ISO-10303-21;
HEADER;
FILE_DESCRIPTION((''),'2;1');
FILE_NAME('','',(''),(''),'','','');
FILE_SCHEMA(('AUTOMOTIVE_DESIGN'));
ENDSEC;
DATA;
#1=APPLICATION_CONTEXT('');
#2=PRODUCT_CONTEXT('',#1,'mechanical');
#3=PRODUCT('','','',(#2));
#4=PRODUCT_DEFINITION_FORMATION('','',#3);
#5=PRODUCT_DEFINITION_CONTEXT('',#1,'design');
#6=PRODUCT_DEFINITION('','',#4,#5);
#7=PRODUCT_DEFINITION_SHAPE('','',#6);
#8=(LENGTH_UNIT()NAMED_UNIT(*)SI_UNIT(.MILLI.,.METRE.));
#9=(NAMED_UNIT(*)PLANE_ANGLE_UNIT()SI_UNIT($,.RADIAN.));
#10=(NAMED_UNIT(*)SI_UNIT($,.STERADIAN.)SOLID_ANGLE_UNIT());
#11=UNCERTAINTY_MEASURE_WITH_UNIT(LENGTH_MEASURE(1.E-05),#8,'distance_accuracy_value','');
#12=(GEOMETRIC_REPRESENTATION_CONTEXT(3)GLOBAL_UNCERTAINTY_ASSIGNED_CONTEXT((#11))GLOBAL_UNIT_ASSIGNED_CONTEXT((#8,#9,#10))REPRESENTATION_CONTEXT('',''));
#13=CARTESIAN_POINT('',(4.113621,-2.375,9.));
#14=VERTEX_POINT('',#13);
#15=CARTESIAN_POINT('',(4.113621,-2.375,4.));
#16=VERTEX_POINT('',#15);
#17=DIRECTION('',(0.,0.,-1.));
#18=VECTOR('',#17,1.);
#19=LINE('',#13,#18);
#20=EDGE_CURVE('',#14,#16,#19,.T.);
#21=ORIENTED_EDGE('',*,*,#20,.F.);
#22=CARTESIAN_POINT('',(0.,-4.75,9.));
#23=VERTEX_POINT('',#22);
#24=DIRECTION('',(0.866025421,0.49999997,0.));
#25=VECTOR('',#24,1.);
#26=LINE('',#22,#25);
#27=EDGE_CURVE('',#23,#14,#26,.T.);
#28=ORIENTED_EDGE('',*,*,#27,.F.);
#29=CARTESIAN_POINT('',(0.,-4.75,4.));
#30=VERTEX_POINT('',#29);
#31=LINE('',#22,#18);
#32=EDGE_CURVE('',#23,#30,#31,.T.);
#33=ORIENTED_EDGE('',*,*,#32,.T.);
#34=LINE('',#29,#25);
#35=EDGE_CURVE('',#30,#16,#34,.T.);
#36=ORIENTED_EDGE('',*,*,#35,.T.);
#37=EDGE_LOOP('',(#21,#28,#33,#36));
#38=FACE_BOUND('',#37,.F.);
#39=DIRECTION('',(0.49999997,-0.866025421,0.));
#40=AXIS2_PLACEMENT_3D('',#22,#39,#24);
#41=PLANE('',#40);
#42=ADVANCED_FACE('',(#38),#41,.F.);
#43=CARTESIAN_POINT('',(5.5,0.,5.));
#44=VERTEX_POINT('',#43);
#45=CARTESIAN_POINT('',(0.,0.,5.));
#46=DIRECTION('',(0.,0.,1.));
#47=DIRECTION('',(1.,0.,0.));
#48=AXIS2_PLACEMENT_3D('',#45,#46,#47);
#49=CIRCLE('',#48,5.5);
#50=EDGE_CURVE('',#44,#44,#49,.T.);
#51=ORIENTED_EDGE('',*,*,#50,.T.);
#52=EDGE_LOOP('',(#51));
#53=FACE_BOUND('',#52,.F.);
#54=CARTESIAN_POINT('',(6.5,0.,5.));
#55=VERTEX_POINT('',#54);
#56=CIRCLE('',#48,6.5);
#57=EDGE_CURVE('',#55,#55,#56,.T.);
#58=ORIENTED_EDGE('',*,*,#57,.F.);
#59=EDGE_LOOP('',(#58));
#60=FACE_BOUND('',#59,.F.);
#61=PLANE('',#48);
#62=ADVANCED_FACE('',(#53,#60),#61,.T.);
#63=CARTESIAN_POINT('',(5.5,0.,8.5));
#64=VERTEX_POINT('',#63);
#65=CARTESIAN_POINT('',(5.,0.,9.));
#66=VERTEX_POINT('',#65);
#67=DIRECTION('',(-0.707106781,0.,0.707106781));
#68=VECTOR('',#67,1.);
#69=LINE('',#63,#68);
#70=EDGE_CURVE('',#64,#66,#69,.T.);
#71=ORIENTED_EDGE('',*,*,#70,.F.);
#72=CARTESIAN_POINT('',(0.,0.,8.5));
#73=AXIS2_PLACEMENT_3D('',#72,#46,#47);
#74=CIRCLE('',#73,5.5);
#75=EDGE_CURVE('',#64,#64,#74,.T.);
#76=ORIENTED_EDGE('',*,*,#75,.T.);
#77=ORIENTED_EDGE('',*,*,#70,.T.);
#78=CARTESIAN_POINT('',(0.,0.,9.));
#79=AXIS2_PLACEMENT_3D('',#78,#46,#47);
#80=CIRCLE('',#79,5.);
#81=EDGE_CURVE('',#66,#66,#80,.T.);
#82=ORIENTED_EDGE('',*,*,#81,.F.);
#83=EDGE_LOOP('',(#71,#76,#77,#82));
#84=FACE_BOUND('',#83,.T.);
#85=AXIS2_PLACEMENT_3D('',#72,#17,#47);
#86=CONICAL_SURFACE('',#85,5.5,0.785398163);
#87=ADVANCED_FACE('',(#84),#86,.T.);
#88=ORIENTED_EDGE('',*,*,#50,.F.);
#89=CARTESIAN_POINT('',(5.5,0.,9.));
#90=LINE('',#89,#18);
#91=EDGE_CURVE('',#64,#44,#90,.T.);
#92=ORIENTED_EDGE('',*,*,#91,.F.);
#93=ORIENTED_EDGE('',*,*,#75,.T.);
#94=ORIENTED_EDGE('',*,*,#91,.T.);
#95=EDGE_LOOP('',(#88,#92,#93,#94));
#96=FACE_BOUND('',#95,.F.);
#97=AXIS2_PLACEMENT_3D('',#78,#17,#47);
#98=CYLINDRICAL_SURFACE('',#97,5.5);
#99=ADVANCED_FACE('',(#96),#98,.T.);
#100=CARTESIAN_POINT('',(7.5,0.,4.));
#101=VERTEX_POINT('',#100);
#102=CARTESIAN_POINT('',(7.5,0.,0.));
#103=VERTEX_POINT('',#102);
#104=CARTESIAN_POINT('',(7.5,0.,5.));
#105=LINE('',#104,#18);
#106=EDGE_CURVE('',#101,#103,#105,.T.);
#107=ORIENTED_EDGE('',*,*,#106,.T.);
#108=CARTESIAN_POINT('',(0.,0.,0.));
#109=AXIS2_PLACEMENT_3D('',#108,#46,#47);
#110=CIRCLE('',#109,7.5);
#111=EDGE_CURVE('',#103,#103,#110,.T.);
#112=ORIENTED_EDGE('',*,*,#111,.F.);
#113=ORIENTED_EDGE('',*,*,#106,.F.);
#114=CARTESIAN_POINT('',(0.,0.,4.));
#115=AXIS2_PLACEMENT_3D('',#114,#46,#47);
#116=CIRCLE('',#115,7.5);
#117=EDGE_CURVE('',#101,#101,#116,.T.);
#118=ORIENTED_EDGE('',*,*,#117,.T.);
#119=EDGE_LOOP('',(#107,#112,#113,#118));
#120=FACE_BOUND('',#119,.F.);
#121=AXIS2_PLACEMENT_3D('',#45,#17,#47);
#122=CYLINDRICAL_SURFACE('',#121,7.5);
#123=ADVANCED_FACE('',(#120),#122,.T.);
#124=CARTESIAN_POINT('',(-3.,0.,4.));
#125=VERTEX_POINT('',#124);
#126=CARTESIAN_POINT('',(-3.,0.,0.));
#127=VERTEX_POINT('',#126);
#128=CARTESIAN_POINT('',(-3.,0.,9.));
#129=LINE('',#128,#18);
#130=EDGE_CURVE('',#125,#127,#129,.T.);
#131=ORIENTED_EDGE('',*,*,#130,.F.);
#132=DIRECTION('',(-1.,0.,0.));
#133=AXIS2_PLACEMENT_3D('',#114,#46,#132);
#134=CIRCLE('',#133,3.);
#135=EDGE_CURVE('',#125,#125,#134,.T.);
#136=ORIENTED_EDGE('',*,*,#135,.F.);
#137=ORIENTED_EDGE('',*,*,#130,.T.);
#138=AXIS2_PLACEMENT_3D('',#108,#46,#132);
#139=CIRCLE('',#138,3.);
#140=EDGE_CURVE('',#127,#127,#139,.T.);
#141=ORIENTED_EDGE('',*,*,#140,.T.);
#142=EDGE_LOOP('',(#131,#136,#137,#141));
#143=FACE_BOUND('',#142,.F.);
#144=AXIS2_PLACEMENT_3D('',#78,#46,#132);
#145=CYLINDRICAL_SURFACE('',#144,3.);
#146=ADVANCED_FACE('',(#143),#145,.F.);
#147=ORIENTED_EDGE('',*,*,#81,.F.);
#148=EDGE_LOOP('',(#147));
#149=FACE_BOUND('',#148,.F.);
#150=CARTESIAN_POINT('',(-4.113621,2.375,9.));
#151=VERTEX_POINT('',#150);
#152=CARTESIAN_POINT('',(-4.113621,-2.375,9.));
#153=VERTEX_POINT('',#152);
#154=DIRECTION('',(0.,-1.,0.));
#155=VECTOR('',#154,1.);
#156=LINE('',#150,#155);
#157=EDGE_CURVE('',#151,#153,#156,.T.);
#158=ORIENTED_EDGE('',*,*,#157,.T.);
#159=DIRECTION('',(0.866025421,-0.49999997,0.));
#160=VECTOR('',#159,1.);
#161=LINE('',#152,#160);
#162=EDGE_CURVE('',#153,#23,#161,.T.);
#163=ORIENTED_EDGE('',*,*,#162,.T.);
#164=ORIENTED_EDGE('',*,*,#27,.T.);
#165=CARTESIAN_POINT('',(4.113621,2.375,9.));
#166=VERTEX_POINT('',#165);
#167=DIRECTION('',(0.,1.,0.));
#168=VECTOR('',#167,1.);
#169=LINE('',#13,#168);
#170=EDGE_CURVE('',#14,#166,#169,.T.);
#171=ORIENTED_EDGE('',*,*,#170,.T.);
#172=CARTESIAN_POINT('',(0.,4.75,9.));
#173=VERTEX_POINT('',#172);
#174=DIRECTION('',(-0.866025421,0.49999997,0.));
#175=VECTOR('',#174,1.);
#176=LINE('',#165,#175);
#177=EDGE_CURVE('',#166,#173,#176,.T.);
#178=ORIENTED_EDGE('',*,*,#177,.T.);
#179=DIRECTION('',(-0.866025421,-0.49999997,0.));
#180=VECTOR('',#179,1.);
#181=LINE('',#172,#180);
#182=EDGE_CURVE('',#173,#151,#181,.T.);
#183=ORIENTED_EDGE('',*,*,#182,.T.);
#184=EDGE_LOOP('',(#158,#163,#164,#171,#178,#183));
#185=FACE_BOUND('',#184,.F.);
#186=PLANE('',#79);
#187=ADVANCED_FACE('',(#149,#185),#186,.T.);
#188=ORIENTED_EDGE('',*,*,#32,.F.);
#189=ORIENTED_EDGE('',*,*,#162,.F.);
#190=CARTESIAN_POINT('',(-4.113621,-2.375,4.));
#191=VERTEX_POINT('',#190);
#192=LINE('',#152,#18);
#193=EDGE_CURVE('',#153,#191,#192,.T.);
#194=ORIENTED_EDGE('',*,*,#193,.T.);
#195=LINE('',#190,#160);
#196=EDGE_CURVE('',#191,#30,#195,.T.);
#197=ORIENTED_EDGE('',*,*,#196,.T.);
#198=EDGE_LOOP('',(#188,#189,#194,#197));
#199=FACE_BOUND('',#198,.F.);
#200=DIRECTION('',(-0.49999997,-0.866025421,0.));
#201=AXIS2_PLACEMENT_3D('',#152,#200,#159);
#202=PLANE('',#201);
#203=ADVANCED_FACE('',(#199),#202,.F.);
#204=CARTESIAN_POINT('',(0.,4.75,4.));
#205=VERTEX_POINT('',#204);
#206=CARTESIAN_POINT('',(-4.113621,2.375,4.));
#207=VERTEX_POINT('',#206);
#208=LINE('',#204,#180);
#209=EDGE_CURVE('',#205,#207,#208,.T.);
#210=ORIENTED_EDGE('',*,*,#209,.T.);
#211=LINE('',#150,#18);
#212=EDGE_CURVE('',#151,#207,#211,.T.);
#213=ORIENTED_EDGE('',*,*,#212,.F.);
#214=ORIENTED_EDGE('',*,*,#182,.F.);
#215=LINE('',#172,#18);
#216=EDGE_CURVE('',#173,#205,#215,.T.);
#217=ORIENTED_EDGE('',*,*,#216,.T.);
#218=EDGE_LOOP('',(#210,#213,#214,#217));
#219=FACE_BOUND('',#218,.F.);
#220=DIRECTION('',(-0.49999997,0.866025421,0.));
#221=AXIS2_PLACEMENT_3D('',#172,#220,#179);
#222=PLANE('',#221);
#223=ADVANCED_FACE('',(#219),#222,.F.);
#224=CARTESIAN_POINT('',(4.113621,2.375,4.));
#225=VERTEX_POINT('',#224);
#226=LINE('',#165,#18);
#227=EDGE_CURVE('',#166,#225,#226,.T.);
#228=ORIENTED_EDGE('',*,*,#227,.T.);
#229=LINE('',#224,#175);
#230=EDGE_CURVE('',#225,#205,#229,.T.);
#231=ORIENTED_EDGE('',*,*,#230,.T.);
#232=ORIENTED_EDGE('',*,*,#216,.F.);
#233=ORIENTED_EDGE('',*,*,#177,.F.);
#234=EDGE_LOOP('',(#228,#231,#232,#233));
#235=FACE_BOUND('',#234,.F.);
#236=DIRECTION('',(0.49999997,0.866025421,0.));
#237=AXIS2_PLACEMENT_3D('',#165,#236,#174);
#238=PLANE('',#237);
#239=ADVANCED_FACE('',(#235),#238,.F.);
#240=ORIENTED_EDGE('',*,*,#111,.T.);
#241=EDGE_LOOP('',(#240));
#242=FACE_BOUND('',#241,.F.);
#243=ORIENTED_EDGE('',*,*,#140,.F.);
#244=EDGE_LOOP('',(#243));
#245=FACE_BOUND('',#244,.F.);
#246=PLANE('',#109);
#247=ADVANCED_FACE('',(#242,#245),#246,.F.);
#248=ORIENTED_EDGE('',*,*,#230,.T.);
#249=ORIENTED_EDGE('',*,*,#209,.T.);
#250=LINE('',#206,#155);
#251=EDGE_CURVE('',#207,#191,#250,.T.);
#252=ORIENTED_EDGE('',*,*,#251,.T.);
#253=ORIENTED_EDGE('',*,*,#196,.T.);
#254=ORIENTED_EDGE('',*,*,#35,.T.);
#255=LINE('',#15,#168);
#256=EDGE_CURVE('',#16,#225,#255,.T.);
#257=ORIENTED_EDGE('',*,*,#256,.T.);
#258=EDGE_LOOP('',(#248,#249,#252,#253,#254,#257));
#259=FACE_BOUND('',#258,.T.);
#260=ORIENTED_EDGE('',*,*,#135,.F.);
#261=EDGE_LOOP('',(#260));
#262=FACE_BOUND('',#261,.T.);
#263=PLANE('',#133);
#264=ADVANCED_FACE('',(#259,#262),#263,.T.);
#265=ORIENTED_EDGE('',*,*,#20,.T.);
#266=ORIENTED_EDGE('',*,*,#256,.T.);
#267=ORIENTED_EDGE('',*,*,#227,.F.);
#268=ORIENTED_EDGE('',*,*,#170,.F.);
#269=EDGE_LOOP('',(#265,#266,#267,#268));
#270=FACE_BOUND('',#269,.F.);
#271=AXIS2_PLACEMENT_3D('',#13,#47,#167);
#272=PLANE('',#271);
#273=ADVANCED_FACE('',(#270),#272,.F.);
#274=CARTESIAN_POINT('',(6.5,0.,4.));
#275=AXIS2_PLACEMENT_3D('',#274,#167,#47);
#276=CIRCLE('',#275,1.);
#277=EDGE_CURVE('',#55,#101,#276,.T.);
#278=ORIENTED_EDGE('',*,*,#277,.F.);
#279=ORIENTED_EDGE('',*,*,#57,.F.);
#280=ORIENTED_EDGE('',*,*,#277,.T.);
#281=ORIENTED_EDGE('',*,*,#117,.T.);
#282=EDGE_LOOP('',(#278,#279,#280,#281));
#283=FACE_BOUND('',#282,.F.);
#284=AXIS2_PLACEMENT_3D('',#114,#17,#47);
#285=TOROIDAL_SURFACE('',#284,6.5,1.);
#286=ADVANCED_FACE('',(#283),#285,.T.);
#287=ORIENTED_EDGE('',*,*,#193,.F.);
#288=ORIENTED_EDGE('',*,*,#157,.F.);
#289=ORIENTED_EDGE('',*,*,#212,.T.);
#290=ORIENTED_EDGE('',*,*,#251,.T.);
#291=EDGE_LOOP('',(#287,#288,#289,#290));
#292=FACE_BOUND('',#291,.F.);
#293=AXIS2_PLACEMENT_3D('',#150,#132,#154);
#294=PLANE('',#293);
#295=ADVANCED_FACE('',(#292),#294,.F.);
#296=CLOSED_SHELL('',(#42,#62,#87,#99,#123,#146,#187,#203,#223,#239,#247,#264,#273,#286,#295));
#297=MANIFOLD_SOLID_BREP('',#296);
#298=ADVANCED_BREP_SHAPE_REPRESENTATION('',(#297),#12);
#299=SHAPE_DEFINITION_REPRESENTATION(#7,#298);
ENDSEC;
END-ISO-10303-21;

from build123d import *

# Parameters (mm, degrees)
SKETCH001_R     = 3
POCKET_DEPTH    = 9.001
POCKET001_DEPTH = 5
FILLET_R        = 1
CHAMFER_SIZE    = 0.5


with BuildPart() as part:
    # Sketch → Revolution (revolve)
    with BuildSketch(Plane.XZ):
        Polygon((0, 0), (0, 9), (5.5, 9), (5.5, 5), (7.5, 5), (7.5, 0), align=None)
    revolve(axis=Axis((0, 0, 0), (0, 0, 1)))

    # Sketch001 (on Face1 of Revolution) → Pocket (cut, through all)
    with BuildSketch(Plane(origin=(0, 0, 9), x_dir=(-1, 0, 0), z_dir=(0, 0, 1))):
        Circle(SKETCH001_R)
    extrude(amount=-POCKET_DEPTH, mode=Mode.SUBTRACT)

    # Sketch002 (on Face1 of Pocket) → Pocket001 (cut)
    with BuildSketch(Plane(origin=(0, 0, 9), x_dir=(-1, 0, 0), z_dir=(0, 0, 1))):
        Polygon((4.113621, 2.375), (0, 4.75), (-4.113621, 2.375), (-4.113621, -2.375), (0, -4.75), (4.113621, -2.375), align=None)
    extrude(amount=-POCKET001_DEPTH, mode=Mode.SUBTRACT)

    # Fillet
    fillet_edges = [part.edges().sort_by_distance(p)[0] for p in [
        (-7.5, 0, 5),
    ]]
    fillet(fillet_edges, radius=FILLET_R)

    # Chamfer
    chamfer_edges = [part.edges().sort_by_distance(p)[0] for p in [
        (-5.5, 0, 9),
    ]]
    chamfer(chamfer_edges, length=CHAMFER_SIZE)


solid = part.part
